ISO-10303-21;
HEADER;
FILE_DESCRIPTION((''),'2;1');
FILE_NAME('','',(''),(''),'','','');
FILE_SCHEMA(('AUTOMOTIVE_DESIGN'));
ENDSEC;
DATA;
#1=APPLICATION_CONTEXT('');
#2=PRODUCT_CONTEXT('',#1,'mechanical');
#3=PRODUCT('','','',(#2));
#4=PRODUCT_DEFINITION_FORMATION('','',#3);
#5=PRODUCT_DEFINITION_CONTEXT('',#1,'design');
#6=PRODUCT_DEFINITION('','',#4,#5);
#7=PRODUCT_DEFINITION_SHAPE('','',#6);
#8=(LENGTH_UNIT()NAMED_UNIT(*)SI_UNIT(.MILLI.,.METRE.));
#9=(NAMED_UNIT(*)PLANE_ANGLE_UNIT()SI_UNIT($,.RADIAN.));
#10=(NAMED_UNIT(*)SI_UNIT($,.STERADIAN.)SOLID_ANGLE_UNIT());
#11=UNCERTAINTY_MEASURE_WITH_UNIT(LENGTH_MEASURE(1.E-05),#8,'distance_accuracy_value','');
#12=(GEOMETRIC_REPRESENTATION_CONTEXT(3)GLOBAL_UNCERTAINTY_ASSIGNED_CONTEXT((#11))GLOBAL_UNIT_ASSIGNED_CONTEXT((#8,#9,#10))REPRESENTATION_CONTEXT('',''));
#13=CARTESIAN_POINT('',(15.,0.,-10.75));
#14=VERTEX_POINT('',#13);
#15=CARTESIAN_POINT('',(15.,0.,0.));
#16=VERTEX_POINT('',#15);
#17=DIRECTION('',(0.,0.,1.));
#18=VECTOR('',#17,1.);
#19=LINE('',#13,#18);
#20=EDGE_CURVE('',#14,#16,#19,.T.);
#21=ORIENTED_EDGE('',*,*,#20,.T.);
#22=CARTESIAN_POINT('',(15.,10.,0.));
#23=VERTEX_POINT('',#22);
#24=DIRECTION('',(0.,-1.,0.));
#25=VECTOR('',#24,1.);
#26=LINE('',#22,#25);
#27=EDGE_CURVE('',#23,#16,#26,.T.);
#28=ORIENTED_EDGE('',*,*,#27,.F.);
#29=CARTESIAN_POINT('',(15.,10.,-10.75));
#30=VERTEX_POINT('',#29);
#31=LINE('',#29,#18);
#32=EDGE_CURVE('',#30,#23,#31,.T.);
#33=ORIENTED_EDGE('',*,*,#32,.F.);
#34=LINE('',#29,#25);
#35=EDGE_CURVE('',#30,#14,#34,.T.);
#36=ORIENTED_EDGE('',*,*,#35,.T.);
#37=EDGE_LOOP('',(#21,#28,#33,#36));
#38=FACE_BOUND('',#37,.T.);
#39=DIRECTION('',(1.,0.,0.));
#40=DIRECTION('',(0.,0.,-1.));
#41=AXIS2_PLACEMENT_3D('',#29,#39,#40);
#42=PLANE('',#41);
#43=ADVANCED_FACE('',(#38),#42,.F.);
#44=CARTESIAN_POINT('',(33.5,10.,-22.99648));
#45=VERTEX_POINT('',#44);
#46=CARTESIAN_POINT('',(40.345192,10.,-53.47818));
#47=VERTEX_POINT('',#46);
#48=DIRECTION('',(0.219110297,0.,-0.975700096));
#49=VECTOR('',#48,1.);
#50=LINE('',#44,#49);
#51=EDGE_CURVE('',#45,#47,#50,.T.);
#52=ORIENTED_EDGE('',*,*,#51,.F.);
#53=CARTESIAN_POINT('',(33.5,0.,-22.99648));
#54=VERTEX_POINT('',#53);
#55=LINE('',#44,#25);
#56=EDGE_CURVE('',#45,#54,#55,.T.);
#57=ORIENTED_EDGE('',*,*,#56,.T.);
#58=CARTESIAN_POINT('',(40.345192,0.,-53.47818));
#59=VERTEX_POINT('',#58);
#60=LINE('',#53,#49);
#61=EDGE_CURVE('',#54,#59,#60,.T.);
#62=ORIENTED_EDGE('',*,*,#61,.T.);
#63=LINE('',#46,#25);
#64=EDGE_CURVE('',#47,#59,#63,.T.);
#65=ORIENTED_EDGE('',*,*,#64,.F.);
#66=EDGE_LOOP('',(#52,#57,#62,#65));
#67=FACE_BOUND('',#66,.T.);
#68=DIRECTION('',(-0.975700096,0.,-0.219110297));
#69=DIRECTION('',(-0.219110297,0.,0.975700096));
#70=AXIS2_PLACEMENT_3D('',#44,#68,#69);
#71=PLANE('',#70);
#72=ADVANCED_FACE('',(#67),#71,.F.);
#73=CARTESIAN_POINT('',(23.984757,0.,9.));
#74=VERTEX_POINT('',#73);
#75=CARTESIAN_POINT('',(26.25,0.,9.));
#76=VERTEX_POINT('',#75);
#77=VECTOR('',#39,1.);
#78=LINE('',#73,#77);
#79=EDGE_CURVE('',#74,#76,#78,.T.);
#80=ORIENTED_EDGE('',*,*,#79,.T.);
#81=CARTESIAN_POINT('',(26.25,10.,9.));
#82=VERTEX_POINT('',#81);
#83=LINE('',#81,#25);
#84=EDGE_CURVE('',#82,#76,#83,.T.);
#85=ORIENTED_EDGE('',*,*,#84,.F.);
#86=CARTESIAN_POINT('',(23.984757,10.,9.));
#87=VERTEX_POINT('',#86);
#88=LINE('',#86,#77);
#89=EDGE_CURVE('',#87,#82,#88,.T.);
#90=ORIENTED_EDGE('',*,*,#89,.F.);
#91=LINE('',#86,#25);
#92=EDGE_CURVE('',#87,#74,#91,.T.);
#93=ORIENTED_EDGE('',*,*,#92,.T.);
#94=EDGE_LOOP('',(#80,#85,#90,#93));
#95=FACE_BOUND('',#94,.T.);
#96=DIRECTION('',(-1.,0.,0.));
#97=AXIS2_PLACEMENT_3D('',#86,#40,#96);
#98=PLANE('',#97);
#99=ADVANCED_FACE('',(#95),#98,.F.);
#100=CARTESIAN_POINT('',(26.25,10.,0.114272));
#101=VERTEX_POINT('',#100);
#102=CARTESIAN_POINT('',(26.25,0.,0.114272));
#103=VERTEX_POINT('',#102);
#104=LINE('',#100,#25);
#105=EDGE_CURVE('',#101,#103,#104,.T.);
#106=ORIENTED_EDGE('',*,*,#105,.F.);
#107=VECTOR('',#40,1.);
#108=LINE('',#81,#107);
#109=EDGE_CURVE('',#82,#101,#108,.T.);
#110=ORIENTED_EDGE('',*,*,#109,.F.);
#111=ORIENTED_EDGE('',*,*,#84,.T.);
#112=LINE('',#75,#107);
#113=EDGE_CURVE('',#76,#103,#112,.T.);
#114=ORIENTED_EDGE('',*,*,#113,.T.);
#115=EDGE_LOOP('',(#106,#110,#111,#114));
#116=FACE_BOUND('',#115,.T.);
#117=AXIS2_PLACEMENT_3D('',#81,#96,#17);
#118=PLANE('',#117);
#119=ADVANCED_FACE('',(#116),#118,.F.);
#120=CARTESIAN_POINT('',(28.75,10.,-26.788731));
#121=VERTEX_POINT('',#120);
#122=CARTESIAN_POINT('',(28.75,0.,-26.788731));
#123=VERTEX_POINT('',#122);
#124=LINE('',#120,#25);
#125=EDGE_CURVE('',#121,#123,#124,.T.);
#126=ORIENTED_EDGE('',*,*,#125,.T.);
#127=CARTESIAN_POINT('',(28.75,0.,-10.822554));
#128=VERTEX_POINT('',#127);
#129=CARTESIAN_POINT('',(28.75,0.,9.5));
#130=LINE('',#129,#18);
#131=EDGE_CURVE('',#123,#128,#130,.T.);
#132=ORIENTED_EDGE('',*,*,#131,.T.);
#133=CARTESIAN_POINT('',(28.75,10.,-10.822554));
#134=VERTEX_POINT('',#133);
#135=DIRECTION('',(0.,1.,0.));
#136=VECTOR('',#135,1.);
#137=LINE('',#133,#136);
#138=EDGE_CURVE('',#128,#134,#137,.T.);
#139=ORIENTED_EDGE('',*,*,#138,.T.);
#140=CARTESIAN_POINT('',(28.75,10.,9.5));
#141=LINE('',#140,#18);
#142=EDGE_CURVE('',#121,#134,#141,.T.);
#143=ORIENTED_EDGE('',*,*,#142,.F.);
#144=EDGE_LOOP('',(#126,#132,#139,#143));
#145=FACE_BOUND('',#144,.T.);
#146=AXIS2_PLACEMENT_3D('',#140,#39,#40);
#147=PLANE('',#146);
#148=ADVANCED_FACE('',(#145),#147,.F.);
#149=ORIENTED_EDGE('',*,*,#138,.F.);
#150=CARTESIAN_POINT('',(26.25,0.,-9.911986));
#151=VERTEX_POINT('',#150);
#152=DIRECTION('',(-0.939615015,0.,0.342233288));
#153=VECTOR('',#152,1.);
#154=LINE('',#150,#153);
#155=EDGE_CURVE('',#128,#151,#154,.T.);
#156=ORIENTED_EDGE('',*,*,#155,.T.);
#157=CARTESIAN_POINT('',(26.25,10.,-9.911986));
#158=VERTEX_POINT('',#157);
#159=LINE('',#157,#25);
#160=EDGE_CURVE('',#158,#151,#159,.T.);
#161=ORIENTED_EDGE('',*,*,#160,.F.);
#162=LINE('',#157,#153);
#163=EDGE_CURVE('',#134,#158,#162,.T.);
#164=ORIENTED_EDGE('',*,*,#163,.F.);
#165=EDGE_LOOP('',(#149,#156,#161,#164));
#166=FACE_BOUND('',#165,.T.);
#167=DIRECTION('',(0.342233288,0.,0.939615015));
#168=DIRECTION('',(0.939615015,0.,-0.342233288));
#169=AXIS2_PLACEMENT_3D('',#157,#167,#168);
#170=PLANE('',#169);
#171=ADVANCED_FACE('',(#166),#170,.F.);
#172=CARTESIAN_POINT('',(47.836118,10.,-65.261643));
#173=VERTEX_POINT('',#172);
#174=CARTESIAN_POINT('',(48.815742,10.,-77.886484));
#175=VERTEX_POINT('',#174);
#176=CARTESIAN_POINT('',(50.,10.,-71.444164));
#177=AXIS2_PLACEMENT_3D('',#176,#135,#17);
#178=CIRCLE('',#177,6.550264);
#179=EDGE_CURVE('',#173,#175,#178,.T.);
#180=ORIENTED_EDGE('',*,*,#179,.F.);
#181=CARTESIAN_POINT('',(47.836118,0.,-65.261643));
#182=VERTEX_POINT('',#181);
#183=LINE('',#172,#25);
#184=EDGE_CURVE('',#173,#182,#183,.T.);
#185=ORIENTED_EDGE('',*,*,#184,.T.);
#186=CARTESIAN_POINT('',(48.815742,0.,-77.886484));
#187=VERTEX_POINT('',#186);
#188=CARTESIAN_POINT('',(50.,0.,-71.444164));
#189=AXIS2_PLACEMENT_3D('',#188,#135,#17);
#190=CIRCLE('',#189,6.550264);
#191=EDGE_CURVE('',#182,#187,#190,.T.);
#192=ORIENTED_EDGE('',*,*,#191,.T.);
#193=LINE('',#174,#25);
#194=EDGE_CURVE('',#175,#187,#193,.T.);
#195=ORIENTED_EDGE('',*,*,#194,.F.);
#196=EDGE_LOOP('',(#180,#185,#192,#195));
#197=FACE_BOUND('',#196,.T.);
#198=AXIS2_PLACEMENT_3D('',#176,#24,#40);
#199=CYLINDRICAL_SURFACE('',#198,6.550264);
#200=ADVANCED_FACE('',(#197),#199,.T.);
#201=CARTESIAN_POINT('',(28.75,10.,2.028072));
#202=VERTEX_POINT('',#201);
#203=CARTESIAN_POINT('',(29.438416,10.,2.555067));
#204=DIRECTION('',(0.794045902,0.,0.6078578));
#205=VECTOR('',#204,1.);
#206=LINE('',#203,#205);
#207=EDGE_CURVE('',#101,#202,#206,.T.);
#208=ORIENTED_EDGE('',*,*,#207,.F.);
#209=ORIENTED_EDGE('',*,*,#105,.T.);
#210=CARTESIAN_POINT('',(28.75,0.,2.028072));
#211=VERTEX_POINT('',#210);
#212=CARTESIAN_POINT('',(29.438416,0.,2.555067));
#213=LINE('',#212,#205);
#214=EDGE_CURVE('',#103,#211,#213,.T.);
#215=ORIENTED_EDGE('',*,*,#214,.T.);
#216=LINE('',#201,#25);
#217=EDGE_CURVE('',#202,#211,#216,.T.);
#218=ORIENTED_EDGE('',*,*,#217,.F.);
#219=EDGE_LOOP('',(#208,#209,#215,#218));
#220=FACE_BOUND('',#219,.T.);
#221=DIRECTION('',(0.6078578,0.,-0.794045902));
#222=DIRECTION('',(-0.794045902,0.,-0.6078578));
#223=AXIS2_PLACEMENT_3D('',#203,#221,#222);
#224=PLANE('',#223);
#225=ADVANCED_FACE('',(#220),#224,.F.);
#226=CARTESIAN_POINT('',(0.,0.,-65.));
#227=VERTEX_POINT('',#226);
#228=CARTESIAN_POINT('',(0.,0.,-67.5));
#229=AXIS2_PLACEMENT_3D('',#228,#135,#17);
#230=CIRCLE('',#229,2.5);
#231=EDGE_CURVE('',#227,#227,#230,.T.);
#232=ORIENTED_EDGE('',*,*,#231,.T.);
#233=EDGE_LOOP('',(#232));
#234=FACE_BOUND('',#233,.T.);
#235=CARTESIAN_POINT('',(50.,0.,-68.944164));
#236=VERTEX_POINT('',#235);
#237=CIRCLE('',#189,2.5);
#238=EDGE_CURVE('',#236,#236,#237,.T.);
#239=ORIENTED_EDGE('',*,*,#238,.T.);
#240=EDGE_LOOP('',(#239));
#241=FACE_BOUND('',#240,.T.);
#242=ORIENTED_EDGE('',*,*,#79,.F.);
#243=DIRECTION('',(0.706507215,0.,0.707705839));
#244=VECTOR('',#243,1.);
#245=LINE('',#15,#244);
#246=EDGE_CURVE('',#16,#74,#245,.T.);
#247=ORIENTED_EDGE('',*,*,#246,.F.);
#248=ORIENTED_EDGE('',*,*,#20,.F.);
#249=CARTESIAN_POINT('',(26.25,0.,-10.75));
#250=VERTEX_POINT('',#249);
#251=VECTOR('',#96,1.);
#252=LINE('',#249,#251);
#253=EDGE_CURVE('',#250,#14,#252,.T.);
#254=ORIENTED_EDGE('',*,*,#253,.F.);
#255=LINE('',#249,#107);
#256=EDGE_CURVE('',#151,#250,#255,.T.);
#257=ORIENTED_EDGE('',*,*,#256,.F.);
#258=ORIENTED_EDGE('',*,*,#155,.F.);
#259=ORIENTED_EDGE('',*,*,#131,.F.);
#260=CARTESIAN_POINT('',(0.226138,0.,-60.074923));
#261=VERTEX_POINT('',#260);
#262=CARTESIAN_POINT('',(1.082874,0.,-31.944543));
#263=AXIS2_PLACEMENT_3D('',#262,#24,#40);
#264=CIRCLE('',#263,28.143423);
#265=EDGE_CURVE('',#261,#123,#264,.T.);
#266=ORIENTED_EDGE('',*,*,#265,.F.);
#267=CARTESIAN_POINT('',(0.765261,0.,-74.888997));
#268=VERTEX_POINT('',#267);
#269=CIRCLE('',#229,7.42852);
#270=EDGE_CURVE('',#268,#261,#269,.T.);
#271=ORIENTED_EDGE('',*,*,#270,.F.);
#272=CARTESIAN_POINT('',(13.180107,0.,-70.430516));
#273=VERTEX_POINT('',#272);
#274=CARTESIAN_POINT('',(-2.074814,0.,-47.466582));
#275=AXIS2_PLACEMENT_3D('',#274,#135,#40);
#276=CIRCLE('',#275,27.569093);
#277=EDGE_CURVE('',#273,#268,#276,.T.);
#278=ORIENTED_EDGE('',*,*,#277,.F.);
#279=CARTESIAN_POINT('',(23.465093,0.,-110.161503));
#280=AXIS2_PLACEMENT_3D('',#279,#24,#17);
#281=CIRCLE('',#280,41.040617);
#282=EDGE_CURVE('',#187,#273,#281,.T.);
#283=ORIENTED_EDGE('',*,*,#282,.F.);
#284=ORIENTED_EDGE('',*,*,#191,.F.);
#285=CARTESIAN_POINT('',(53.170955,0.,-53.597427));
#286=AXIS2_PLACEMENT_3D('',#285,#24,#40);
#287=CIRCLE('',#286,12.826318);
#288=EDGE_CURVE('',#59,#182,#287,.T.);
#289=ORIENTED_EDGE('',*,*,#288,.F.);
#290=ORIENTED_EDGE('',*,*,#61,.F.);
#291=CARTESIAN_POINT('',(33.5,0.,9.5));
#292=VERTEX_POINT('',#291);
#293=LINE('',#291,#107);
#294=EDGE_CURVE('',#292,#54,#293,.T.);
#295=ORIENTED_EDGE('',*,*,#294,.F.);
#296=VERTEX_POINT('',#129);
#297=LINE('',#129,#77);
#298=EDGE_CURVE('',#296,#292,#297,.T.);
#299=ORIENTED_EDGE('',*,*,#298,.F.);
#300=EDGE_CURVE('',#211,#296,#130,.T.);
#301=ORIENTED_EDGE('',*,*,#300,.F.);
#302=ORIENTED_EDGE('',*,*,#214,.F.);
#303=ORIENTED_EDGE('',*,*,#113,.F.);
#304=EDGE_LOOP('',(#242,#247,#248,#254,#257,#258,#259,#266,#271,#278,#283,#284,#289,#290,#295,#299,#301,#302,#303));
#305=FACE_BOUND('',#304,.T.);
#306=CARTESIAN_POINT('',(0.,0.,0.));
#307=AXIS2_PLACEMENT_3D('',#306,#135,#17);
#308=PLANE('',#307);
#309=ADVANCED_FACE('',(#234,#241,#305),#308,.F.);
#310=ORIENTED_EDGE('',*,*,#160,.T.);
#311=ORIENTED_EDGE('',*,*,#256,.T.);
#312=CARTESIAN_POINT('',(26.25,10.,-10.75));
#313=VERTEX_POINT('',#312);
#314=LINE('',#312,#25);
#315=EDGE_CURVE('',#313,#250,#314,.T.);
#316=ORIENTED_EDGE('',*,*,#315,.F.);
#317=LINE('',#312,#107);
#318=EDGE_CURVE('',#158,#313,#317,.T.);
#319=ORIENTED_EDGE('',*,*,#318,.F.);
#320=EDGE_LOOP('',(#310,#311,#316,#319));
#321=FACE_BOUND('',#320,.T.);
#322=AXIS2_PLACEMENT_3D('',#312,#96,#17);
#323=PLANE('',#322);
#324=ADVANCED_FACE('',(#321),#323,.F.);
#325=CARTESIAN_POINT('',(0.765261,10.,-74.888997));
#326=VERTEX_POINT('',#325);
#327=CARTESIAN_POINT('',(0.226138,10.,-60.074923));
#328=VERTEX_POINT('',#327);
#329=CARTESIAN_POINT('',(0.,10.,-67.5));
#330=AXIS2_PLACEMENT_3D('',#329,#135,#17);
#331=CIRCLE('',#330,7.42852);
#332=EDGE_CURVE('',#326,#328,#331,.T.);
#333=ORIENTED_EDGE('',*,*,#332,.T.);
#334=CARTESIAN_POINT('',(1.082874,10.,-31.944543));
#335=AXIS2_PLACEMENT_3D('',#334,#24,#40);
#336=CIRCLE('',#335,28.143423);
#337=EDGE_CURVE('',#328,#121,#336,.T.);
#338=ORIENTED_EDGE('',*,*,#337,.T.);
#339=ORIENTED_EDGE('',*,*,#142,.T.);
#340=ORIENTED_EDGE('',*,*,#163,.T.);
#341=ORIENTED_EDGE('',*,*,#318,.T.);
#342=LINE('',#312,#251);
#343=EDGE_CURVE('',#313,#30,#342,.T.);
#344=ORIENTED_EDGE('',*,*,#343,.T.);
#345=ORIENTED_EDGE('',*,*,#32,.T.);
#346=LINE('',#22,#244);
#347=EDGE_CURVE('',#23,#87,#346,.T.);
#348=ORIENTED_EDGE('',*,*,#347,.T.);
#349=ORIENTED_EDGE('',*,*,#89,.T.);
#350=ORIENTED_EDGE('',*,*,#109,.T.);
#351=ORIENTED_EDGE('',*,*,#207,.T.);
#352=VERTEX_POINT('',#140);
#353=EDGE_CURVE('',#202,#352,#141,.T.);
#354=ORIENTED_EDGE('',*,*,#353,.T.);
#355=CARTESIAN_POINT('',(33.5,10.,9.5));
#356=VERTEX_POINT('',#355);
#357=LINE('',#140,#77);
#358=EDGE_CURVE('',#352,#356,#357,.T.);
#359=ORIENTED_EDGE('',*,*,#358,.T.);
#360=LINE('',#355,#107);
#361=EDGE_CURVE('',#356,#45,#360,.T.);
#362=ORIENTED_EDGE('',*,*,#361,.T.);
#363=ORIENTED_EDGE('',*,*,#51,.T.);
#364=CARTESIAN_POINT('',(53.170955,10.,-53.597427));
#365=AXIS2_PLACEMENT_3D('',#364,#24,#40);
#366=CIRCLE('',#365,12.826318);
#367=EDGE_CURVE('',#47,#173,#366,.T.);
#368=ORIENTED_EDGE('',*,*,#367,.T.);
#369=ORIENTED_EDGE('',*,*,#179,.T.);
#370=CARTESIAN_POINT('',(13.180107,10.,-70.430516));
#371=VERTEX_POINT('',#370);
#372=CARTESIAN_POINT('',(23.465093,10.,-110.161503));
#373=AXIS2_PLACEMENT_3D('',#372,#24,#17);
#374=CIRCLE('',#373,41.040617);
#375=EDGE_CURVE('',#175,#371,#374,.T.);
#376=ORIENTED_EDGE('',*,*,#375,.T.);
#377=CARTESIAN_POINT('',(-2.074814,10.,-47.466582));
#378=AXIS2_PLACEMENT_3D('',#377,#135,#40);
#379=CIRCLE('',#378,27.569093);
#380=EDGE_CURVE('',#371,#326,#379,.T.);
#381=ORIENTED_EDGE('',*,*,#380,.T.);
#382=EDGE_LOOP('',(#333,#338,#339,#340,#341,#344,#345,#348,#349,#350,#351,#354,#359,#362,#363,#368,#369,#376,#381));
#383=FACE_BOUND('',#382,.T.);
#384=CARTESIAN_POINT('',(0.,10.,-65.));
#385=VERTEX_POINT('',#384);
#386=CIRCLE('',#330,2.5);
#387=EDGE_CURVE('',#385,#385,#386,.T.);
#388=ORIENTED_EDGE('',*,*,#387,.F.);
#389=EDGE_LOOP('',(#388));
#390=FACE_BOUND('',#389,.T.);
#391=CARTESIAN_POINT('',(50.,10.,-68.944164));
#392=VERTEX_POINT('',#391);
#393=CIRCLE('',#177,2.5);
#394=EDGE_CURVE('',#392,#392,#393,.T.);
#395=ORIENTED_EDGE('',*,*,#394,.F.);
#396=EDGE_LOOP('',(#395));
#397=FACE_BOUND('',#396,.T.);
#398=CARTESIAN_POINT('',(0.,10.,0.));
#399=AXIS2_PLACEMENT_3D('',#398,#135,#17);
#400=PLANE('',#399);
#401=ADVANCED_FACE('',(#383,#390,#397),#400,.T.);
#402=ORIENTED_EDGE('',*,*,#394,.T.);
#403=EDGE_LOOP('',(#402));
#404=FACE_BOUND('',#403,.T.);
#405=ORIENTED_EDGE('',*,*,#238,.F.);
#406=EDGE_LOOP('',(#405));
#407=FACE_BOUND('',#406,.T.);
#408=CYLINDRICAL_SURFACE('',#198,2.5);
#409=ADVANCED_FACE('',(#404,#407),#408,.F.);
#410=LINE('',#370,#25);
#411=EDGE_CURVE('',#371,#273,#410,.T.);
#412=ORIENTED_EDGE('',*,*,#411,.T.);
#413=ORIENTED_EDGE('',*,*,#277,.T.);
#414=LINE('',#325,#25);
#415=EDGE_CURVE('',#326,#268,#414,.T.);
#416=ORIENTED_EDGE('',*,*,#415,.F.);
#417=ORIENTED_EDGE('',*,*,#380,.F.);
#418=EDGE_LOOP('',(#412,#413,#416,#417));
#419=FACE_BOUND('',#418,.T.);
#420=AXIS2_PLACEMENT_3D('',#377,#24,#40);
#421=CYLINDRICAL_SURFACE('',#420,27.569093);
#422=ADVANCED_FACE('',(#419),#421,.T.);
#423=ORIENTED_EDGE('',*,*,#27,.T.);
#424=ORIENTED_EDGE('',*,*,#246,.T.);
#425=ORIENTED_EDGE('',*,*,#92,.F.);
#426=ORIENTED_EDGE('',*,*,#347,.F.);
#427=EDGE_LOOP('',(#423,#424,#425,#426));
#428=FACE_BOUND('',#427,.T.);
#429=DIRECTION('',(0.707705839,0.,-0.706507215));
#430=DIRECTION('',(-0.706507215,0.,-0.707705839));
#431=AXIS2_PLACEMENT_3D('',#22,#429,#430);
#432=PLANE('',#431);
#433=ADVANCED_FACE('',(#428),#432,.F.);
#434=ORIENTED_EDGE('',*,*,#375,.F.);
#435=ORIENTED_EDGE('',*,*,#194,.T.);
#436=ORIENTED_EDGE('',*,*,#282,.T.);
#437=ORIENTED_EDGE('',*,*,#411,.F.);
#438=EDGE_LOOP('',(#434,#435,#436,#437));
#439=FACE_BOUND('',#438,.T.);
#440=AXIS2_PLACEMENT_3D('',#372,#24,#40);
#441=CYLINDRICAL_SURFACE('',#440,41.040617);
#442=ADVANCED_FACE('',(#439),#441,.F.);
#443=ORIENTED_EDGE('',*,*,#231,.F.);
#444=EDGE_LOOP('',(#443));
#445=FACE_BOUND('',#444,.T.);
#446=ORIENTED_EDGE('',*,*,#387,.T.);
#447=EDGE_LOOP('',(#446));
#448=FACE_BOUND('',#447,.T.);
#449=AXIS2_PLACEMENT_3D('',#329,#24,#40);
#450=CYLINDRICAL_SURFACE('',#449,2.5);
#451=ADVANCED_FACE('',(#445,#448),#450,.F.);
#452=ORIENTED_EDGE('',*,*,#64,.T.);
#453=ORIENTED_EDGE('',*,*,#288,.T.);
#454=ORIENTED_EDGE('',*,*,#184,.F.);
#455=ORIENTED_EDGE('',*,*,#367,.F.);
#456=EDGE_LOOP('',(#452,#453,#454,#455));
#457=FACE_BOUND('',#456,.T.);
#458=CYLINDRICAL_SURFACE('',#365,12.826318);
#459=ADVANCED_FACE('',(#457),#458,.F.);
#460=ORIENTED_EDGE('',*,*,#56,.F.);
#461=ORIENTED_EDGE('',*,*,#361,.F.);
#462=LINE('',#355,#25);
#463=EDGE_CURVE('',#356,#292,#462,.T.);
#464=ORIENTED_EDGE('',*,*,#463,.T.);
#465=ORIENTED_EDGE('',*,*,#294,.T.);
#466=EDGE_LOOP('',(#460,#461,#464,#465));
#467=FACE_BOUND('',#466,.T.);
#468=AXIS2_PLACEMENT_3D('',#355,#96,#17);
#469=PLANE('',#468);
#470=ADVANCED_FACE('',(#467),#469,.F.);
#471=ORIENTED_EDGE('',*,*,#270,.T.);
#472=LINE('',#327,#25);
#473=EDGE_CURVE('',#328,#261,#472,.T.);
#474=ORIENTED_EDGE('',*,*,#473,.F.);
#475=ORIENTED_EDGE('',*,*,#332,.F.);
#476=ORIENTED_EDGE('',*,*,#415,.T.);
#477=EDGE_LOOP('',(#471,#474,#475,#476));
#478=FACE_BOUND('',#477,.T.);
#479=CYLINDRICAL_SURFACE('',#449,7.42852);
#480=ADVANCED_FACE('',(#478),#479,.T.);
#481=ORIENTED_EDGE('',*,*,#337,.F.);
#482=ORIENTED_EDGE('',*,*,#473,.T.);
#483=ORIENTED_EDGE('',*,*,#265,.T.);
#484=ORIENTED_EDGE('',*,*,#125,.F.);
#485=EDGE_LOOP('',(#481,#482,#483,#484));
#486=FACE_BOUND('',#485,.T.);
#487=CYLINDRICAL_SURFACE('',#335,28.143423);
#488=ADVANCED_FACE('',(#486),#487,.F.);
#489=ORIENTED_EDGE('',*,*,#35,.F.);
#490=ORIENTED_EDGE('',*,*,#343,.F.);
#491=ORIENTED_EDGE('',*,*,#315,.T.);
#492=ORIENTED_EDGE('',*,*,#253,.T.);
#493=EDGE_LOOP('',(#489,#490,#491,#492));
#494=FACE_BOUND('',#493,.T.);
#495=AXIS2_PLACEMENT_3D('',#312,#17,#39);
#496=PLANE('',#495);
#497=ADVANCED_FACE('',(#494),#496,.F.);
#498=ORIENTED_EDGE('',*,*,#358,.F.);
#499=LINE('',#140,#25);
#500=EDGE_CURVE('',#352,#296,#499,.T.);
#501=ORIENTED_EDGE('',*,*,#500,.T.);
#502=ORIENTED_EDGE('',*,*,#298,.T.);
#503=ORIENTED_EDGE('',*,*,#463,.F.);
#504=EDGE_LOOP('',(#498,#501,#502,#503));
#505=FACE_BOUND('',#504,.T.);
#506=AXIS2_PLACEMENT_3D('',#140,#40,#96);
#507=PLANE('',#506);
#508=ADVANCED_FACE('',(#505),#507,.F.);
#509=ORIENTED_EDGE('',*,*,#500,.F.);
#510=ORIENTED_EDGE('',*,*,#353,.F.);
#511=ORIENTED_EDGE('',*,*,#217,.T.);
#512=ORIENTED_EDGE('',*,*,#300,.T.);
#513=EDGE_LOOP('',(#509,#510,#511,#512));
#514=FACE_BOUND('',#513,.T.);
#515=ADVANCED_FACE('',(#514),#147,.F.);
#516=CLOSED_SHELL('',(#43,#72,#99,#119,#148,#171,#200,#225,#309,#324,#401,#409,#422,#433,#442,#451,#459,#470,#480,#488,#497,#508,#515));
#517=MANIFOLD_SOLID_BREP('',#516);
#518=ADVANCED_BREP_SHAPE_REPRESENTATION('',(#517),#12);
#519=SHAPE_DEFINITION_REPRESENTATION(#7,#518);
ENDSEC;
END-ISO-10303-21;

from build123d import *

# Parameters (mm, degrees)
BOSS_EXTRUDE2_DEPTH   = 10
BOSS_EXTRUDE2_2_DEPTH = 10
SKETCH4_R             = 2.5
BOSS_EXTRUDE3_DEPTH   = 10
SKETCH8_R             = 22.839298689
CUT_EXTRUDE1_DEPTH    = 10


with BuildPart() as part:
    # Sketch1 → Boss-Extrude2 (new body)
    with BuildSketch(Plane(origin=(0, 0, 0), x_dir=(1, 0, 0), z_dir=(0, 1, 0))):
        Polygon((-26.25, 10.75), (-15, 10.75), (-15, 0), (-23.984756923, -9), (-26.25, -9), (-26.25, -0.114272299), (-29.438415679, -2.555067389), (-29.438415679, 11.073293435), (-26.25, 9.911985917), align=None)
    extrude(amount=BOSS_EXTRUDE2_DEPTH)

    # Sketch8 → Cut-Extrude1 (cut)
    with BuildSketch(Plane(origin=(0, 0, 0), x_dir=(1, 0, 0), z_dir=(0, 1, 0))):
        with Locations((-20.905433381, 4.192616326)):
            Circle(SKETCH8_R)
    extrude(amount=CUT_EXTRUDE1_DEPTH, mode=Mode.SUBTRACT)


with BuildPart() as body_2:
    # Sketch1 → Boss-Extrude2 2 (new body)
    with BuildSketch(Plane(origin=(0, 0, 0), x_dir=(1, 0, 0), z_dir=(0, 1, 0))):
        Polygon((26.25, 10.75), (26.25, 9.911985917), (29.438415679, 11.073293435), (29.438415679, -2.555067389), (26.25, -0.114272299), (26.25, -9), (23.984756923, -9), (15, 0), (15, 10.75), align=None)
    extrude(amount=BOSS_EXTRUDE2_2_DEPTH)

    # Sketch4 → Boss-Extrude3 (add)
    with BuildSketch(Plane(origin=(0, 0, 0), x_dir=(1, 0, 0), z_dir=(0, 1, 0))):
        with BuildLine():
            Line((28.75, -9.5), (33.5, -9.5))
            Line((33.5, -9.5), (33.5, 22.996479512))
            Line((33.5, 22.996479512), (40.345191882, 53.478179684))
            ThreePointArc((40.345191882, 53.478179684), (42.346706654, 60.478565285), (47.83611753, 65.261642557))
            ThreePointArc((47.83611753, 65.261642557), (56.530633029, 70.937419635), (48.815741717, 77.886484122))
            ThreePointArc((48.815741717, 77.886484122), (31.869937483, 69.990732218), (13.180106847, 70.430516322))
            ThreePointArc((13.180106847, 70.430516322), (7.243272391, 73.413222616), (0.765261217, 74.88899747))
            ThreePointArc((0.765261217, 74.88899747), (-7.423605548, 67.770164785), (0.226137573, 60.074922886))
            ThreePointArc((0.226137573, 60.074922886), (22.453224616, 50.257390562), (28.75, 26.78873148))
            Line((28.75, 26.78873148), (28.75, -9.5))
        make_face()
        with Locations(Location((0, 67.5, 0), (0, 0, 270))):
            Circle(SKETCH4_R, mode=Mode.SUBTRACT)
        with Locations(Location((50, 71.444163901, 0), (0, 0, 270))):
            Circle(SKETCH4_R, mode=Mode.SUBTRACT)
    extrude(amount=BOSS_EXTRUDE3_DEPTH)


solid = body_2.part
